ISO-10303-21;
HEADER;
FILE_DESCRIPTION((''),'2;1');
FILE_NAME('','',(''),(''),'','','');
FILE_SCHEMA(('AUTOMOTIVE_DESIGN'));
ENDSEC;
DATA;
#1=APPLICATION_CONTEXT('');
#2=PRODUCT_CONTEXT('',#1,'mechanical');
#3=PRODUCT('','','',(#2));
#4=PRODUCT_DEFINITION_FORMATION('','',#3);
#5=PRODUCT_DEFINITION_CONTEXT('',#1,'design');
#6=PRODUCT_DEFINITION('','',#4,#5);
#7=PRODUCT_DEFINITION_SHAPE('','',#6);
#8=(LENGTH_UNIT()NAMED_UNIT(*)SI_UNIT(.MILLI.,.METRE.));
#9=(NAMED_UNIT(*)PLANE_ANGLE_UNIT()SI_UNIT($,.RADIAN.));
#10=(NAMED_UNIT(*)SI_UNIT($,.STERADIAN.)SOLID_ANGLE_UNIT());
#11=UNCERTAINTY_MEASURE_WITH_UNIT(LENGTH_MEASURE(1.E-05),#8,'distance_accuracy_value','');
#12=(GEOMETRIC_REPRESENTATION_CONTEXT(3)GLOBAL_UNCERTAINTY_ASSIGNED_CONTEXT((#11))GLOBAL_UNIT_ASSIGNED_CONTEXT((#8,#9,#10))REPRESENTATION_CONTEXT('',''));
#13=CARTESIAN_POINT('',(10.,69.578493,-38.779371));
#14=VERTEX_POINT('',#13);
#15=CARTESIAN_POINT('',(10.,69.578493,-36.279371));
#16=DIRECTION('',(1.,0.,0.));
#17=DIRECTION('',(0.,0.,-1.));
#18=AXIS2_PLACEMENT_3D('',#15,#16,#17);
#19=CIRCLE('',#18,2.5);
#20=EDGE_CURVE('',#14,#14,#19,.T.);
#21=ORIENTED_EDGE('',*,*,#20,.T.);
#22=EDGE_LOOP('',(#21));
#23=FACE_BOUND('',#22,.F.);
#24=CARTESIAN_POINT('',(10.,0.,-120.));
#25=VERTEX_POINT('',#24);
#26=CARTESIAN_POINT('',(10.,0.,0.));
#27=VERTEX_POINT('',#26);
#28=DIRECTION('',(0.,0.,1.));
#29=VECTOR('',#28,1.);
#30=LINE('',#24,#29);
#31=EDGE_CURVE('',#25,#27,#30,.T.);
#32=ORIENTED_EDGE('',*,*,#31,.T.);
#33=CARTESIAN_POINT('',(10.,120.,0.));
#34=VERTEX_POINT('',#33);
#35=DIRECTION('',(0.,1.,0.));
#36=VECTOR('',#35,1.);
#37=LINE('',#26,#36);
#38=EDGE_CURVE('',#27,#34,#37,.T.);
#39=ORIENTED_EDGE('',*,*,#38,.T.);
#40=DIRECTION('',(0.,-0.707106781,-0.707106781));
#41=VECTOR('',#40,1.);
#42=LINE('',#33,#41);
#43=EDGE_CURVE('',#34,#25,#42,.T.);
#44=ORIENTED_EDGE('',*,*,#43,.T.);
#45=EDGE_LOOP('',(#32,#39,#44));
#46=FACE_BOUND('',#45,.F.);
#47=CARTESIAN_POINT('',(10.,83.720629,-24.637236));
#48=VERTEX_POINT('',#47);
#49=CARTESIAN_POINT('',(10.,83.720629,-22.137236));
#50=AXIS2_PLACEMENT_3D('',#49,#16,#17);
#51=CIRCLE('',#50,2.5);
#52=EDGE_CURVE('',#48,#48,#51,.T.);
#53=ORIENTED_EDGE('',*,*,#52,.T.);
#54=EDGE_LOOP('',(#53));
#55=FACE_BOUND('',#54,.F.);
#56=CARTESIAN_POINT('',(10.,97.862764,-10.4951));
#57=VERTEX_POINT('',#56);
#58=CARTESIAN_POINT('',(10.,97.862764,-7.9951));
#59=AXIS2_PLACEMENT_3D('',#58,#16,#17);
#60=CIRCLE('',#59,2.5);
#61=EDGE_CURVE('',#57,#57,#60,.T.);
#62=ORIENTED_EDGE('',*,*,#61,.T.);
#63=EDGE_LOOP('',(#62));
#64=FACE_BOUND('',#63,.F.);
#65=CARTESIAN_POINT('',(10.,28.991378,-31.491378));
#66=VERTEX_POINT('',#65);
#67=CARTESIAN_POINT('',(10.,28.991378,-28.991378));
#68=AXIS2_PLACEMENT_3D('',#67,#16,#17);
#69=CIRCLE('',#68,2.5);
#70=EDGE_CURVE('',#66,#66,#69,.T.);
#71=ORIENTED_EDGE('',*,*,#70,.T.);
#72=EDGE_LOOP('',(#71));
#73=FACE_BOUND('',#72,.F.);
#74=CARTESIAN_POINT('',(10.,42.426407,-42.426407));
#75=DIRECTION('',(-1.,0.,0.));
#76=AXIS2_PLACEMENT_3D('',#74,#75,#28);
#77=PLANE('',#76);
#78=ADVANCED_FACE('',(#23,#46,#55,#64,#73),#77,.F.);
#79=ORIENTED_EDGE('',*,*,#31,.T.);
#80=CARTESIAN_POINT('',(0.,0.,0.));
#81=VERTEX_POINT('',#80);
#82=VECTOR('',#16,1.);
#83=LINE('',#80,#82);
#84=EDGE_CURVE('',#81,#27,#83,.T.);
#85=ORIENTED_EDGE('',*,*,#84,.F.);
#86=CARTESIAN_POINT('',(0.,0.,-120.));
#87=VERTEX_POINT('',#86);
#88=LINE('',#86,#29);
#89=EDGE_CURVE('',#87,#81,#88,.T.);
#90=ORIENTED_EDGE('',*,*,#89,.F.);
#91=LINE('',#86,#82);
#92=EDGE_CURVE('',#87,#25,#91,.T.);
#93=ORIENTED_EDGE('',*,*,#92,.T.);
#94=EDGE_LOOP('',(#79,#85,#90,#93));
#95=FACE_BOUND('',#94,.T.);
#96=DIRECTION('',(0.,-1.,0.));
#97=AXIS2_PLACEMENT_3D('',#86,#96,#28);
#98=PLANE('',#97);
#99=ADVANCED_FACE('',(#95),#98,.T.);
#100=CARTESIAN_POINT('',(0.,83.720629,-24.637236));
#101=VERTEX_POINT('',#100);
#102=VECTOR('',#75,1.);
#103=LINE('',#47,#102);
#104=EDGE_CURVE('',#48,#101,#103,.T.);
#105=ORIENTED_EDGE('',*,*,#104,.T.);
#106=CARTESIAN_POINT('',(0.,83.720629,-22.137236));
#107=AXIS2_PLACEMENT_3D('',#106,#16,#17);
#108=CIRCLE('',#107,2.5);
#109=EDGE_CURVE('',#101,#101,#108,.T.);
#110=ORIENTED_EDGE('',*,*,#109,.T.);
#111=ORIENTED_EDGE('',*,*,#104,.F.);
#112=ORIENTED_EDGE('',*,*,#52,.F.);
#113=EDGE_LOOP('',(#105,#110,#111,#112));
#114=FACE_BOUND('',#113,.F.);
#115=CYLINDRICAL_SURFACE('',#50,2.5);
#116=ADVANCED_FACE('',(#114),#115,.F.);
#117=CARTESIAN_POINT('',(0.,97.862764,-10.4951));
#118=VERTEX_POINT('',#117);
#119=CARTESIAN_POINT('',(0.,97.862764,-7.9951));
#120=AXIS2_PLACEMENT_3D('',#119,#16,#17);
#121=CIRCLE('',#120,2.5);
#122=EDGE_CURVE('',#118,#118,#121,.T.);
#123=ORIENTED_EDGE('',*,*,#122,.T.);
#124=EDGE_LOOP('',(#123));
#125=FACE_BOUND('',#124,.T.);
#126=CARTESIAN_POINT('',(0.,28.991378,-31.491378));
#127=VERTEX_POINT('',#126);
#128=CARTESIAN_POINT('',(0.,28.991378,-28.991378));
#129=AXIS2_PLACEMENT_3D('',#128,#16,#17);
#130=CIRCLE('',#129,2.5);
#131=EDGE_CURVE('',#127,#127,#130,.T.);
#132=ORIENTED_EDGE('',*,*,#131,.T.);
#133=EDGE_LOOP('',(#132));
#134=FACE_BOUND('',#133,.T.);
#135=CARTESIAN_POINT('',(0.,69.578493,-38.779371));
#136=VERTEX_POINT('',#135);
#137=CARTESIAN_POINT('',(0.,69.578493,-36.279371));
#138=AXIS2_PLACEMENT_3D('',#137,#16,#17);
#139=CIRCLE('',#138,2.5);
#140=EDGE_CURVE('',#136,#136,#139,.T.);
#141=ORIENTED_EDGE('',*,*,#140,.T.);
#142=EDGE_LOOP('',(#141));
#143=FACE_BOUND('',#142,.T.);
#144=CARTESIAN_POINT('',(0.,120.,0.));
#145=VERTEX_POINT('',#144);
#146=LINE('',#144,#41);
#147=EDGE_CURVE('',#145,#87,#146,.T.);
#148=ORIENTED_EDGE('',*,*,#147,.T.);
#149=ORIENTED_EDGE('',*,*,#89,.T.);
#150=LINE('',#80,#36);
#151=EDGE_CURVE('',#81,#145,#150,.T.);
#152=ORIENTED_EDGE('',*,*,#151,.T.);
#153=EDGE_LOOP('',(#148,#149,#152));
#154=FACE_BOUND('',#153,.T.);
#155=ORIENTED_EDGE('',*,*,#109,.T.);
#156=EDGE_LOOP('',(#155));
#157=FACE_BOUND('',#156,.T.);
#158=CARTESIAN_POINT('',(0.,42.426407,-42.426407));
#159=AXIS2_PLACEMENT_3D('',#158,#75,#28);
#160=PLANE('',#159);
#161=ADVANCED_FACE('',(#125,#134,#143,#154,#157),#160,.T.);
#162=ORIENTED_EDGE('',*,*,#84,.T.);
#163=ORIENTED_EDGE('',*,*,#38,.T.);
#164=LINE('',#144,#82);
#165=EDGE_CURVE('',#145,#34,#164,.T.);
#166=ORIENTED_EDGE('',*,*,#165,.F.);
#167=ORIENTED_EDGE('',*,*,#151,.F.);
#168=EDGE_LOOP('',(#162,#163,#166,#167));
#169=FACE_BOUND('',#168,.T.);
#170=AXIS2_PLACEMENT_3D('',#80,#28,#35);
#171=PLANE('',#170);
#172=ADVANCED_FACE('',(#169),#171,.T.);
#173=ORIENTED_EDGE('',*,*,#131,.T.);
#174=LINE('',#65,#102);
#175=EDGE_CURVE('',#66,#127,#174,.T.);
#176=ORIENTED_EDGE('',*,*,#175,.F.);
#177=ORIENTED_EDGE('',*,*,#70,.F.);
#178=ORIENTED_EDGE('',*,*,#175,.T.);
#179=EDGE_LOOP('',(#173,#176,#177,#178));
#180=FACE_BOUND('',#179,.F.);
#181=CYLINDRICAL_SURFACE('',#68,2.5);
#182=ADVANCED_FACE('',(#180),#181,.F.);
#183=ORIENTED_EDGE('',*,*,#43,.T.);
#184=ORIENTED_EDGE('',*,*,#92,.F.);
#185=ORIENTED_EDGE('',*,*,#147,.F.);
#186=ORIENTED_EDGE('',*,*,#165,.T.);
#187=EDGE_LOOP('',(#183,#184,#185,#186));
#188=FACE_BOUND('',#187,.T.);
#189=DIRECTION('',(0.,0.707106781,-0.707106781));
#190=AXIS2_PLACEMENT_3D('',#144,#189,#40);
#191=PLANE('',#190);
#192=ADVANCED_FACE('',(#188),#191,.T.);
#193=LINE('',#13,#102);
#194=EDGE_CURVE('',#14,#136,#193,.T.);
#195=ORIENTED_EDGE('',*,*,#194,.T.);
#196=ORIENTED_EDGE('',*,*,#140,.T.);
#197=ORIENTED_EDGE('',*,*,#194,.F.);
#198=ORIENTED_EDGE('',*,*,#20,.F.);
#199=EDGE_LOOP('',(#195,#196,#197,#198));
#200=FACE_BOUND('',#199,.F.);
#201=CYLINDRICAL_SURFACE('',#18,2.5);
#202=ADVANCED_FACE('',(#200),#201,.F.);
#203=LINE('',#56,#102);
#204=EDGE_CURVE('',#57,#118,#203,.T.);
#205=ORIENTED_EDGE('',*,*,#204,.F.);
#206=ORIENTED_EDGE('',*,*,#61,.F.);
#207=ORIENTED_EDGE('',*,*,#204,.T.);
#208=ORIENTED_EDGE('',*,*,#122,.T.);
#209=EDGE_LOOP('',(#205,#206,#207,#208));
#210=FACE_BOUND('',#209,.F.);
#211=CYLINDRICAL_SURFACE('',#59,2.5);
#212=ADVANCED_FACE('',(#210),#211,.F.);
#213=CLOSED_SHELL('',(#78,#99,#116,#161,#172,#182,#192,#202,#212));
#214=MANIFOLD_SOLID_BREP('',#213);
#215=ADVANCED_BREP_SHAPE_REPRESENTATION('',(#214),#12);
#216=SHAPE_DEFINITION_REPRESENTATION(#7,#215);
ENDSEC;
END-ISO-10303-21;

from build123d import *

# Parameters (mm, degrees)
BOSS_EXTRUDE1_DEPTH = 10
SKETCH4_R           = 2.5
CUT_EXTRUDE3_DEPTH  = 10


with BuildPart() as part:
    # Sketch1 → Boss-Extrude1 (new body)
    with BuildSketch(Plane(origin=(0, 0, 0), x_dir=(0, 0, -1), z_dir=(1, 0, 0))):
        Polygon((0, 0), (0, 120), (120, 0), align=None)
    extrude(amount=BOSS_EXTRUDE1_DEPTH)

    # Sketch4 → Cut-Extrude3 (cut)
    with BuildSketch(Plane(origin=(10, 0, 0), x_dir=(0, 0, -1), z_dir=(1, 0, 0))):
        with Locations((22.137235802, 83.720628574)):
            Circle(SKETCH4_R)
        with Locations((36.279371426, 69.578492951)):
            Circle(SKETCH4_R)
        with Locations((7.995100178, 97.862764198)):
            Circle(SKETCH4_R)
        with Locations((28.991378029, 28.991378029)):
            Circle(SKETCH4_R)
    extrude(amount=-CUT_EXTRUDE3_DEPTH, mode=Mode.SUBTRACT)


solid = part.part
